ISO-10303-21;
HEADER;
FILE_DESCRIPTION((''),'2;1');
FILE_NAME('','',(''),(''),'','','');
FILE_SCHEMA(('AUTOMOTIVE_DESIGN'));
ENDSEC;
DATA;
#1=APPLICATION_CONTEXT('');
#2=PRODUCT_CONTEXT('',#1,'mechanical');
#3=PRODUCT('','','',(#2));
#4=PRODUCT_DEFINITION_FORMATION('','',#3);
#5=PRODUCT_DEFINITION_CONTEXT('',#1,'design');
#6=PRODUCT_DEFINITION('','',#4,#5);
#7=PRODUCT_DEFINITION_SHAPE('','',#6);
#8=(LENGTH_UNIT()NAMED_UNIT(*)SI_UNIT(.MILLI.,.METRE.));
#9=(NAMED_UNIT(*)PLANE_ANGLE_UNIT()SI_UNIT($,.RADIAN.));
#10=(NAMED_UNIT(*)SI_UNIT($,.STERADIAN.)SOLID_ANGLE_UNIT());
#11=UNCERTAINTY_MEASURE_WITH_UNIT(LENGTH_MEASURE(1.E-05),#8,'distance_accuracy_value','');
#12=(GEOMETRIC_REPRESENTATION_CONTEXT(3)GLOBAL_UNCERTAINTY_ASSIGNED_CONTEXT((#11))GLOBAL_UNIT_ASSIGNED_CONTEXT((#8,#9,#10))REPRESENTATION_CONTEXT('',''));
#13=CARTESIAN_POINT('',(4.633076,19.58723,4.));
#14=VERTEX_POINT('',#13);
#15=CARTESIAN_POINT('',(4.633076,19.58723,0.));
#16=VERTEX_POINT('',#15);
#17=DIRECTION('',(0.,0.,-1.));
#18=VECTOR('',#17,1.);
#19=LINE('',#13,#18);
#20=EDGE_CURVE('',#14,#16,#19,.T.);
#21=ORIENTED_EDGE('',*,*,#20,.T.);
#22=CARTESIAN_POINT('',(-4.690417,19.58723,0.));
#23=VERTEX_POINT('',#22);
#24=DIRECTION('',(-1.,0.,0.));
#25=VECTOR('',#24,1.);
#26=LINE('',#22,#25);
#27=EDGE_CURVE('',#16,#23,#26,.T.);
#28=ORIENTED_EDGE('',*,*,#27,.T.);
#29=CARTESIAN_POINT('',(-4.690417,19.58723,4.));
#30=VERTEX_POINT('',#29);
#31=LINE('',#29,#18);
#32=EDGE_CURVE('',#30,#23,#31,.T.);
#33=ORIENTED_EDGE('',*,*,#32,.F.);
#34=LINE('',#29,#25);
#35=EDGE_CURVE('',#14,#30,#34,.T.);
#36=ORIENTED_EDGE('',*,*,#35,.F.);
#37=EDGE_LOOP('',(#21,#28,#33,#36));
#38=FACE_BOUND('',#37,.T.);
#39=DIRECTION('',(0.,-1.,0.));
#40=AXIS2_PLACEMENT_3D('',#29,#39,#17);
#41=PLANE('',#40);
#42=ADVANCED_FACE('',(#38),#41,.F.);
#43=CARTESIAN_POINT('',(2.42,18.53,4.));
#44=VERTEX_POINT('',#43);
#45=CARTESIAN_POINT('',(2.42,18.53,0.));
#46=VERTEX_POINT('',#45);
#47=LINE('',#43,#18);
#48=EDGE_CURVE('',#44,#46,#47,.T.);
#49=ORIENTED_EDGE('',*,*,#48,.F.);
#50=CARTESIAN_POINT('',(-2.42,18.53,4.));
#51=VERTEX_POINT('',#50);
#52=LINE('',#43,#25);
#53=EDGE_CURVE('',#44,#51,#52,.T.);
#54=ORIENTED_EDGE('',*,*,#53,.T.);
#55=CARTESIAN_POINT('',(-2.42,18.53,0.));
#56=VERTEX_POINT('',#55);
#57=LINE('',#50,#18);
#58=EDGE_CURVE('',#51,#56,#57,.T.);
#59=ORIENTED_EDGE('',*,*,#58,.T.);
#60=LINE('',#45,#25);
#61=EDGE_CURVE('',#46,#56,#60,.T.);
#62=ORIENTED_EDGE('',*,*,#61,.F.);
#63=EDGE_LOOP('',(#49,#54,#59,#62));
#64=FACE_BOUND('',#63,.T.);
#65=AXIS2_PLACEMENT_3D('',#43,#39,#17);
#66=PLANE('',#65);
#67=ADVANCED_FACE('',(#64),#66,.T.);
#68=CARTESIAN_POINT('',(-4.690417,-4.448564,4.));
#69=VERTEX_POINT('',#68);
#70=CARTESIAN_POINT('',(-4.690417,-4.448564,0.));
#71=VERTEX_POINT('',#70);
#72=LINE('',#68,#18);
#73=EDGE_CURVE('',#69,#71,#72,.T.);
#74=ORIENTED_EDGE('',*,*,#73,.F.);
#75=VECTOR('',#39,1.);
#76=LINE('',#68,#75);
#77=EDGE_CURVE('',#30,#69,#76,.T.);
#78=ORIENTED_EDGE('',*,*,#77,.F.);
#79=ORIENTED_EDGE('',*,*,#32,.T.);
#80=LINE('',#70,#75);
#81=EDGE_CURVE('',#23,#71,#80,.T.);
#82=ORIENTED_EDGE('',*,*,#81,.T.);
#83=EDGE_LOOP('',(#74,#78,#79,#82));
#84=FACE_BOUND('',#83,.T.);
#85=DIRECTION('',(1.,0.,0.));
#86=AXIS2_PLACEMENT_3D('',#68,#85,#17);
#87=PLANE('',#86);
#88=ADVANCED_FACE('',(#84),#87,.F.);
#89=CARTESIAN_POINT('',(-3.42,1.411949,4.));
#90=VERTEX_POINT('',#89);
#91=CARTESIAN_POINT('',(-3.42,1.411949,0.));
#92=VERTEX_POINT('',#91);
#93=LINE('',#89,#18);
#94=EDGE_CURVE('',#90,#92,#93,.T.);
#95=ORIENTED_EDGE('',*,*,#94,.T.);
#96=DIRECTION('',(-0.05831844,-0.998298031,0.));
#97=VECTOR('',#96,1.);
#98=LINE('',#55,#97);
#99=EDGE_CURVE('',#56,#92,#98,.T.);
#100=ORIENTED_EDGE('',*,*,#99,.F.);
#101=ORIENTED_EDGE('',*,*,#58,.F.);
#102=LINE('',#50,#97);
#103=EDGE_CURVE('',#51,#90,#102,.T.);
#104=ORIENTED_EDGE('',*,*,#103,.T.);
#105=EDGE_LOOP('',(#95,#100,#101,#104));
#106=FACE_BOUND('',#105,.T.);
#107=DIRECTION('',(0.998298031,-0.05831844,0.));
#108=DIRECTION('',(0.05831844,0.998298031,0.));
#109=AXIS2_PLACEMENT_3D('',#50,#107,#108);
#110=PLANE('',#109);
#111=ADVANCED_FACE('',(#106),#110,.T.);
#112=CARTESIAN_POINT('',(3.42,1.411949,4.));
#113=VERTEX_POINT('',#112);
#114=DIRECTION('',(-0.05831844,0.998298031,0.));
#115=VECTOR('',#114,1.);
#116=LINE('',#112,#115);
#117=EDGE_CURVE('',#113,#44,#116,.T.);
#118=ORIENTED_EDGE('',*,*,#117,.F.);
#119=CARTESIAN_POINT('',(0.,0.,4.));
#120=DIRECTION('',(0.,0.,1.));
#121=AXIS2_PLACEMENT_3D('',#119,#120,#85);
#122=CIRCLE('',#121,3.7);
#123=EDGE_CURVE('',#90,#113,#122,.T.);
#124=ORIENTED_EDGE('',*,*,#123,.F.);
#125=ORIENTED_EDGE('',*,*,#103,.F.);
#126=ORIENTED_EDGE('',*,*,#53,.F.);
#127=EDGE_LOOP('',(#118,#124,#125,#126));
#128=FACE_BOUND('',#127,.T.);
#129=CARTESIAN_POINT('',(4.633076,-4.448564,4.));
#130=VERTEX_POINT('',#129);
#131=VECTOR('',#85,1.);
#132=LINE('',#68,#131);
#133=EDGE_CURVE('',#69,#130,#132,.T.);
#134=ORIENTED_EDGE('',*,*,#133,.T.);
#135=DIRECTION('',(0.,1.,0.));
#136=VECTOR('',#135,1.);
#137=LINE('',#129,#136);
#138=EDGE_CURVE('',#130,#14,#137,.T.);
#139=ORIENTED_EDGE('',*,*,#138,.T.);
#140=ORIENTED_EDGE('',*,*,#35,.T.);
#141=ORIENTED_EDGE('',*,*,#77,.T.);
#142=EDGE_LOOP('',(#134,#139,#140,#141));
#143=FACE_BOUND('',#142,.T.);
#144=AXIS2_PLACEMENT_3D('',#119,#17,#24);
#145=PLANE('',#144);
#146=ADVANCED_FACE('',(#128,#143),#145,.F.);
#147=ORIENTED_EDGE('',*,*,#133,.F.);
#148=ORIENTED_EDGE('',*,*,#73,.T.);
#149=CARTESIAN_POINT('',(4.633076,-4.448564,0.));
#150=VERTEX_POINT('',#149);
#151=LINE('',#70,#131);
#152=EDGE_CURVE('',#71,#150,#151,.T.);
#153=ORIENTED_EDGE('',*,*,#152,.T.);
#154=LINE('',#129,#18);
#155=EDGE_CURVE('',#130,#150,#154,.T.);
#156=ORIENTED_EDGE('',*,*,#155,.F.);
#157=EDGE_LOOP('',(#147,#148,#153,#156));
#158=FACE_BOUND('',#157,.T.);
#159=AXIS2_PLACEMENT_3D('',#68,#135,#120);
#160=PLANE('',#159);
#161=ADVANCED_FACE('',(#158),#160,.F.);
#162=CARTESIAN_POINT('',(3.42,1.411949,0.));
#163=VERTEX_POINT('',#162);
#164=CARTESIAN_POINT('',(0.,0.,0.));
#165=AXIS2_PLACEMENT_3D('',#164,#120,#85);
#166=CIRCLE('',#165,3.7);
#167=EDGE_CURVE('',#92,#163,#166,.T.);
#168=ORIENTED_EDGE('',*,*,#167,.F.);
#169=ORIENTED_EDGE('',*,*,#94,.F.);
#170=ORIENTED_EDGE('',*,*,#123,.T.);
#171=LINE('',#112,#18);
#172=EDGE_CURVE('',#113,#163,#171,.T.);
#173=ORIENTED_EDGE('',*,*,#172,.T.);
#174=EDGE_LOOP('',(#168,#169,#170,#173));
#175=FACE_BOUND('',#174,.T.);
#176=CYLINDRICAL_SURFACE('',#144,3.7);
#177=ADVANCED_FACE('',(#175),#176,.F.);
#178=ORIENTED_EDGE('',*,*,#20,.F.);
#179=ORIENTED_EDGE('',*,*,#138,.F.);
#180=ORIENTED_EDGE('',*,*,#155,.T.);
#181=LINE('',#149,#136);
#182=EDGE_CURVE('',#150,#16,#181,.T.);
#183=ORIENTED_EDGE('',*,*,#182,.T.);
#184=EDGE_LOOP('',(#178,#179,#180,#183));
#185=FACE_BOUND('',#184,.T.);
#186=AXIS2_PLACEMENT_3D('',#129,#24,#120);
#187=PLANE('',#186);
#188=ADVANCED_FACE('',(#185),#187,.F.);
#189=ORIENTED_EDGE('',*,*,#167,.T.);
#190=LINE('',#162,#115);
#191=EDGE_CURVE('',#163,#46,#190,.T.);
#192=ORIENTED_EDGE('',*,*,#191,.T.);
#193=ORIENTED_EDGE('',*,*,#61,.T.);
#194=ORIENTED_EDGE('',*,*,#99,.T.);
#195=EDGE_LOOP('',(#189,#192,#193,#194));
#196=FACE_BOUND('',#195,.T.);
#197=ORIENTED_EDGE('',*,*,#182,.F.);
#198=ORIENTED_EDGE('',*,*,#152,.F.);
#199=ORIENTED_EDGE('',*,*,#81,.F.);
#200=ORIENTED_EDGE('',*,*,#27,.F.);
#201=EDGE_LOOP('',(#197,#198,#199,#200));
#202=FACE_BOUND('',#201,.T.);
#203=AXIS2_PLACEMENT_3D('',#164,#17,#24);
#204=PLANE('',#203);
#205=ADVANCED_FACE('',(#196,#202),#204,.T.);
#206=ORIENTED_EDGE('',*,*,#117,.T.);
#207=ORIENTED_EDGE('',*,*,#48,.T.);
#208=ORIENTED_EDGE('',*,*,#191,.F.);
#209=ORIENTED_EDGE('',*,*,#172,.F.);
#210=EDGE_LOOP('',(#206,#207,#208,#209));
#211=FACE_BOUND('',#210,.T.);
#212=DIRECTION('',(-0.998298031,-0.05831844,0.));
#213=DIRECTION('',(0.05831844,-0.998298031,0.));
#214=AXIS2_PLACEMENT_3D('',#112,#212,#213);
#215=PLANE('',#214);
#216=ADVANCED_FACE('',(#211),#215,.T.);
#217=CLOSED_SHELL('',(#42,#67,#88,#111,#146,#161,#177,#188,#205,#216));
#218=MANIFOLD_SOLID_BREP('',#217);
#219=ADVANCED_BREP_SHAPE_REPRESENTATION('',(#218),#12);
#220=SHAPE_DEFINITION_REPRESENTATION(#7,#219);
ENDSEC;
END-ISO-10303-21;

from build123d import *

# Parameters (mm, degrees)
SKETCH2_W           = 9.323493139
SKETCH2_H           = 24.035794238
BOSS_EXTRUDE1_DEPTH = 4


with BuildPart() as part:
    # Sketch2 → Boss-Extrude1 (new body)
    with BuildSketch(Plane.XY):
        with Locations((-0.028670292, 7.569333036)):
            Rectangle(SKETCH2_W, SKETCH2_H)
        with BuildLine():
            Line((2.42, 18.53), (-2.42, 18.53))
            Line((-2.42, 18.53), (-3.42, 1.411949008))
            ThreePointArc((-3.42, 1.411949008), (0, -3.7), (3.42, 1.411949008))
            Line((3.42, 1.411949008), (2.42, 18.53))
        make_face(mode=Mode.SUBTRACT)
    extrude(amount=BOSS_EXTRUDE1_DEPTH)


solid = part.part
